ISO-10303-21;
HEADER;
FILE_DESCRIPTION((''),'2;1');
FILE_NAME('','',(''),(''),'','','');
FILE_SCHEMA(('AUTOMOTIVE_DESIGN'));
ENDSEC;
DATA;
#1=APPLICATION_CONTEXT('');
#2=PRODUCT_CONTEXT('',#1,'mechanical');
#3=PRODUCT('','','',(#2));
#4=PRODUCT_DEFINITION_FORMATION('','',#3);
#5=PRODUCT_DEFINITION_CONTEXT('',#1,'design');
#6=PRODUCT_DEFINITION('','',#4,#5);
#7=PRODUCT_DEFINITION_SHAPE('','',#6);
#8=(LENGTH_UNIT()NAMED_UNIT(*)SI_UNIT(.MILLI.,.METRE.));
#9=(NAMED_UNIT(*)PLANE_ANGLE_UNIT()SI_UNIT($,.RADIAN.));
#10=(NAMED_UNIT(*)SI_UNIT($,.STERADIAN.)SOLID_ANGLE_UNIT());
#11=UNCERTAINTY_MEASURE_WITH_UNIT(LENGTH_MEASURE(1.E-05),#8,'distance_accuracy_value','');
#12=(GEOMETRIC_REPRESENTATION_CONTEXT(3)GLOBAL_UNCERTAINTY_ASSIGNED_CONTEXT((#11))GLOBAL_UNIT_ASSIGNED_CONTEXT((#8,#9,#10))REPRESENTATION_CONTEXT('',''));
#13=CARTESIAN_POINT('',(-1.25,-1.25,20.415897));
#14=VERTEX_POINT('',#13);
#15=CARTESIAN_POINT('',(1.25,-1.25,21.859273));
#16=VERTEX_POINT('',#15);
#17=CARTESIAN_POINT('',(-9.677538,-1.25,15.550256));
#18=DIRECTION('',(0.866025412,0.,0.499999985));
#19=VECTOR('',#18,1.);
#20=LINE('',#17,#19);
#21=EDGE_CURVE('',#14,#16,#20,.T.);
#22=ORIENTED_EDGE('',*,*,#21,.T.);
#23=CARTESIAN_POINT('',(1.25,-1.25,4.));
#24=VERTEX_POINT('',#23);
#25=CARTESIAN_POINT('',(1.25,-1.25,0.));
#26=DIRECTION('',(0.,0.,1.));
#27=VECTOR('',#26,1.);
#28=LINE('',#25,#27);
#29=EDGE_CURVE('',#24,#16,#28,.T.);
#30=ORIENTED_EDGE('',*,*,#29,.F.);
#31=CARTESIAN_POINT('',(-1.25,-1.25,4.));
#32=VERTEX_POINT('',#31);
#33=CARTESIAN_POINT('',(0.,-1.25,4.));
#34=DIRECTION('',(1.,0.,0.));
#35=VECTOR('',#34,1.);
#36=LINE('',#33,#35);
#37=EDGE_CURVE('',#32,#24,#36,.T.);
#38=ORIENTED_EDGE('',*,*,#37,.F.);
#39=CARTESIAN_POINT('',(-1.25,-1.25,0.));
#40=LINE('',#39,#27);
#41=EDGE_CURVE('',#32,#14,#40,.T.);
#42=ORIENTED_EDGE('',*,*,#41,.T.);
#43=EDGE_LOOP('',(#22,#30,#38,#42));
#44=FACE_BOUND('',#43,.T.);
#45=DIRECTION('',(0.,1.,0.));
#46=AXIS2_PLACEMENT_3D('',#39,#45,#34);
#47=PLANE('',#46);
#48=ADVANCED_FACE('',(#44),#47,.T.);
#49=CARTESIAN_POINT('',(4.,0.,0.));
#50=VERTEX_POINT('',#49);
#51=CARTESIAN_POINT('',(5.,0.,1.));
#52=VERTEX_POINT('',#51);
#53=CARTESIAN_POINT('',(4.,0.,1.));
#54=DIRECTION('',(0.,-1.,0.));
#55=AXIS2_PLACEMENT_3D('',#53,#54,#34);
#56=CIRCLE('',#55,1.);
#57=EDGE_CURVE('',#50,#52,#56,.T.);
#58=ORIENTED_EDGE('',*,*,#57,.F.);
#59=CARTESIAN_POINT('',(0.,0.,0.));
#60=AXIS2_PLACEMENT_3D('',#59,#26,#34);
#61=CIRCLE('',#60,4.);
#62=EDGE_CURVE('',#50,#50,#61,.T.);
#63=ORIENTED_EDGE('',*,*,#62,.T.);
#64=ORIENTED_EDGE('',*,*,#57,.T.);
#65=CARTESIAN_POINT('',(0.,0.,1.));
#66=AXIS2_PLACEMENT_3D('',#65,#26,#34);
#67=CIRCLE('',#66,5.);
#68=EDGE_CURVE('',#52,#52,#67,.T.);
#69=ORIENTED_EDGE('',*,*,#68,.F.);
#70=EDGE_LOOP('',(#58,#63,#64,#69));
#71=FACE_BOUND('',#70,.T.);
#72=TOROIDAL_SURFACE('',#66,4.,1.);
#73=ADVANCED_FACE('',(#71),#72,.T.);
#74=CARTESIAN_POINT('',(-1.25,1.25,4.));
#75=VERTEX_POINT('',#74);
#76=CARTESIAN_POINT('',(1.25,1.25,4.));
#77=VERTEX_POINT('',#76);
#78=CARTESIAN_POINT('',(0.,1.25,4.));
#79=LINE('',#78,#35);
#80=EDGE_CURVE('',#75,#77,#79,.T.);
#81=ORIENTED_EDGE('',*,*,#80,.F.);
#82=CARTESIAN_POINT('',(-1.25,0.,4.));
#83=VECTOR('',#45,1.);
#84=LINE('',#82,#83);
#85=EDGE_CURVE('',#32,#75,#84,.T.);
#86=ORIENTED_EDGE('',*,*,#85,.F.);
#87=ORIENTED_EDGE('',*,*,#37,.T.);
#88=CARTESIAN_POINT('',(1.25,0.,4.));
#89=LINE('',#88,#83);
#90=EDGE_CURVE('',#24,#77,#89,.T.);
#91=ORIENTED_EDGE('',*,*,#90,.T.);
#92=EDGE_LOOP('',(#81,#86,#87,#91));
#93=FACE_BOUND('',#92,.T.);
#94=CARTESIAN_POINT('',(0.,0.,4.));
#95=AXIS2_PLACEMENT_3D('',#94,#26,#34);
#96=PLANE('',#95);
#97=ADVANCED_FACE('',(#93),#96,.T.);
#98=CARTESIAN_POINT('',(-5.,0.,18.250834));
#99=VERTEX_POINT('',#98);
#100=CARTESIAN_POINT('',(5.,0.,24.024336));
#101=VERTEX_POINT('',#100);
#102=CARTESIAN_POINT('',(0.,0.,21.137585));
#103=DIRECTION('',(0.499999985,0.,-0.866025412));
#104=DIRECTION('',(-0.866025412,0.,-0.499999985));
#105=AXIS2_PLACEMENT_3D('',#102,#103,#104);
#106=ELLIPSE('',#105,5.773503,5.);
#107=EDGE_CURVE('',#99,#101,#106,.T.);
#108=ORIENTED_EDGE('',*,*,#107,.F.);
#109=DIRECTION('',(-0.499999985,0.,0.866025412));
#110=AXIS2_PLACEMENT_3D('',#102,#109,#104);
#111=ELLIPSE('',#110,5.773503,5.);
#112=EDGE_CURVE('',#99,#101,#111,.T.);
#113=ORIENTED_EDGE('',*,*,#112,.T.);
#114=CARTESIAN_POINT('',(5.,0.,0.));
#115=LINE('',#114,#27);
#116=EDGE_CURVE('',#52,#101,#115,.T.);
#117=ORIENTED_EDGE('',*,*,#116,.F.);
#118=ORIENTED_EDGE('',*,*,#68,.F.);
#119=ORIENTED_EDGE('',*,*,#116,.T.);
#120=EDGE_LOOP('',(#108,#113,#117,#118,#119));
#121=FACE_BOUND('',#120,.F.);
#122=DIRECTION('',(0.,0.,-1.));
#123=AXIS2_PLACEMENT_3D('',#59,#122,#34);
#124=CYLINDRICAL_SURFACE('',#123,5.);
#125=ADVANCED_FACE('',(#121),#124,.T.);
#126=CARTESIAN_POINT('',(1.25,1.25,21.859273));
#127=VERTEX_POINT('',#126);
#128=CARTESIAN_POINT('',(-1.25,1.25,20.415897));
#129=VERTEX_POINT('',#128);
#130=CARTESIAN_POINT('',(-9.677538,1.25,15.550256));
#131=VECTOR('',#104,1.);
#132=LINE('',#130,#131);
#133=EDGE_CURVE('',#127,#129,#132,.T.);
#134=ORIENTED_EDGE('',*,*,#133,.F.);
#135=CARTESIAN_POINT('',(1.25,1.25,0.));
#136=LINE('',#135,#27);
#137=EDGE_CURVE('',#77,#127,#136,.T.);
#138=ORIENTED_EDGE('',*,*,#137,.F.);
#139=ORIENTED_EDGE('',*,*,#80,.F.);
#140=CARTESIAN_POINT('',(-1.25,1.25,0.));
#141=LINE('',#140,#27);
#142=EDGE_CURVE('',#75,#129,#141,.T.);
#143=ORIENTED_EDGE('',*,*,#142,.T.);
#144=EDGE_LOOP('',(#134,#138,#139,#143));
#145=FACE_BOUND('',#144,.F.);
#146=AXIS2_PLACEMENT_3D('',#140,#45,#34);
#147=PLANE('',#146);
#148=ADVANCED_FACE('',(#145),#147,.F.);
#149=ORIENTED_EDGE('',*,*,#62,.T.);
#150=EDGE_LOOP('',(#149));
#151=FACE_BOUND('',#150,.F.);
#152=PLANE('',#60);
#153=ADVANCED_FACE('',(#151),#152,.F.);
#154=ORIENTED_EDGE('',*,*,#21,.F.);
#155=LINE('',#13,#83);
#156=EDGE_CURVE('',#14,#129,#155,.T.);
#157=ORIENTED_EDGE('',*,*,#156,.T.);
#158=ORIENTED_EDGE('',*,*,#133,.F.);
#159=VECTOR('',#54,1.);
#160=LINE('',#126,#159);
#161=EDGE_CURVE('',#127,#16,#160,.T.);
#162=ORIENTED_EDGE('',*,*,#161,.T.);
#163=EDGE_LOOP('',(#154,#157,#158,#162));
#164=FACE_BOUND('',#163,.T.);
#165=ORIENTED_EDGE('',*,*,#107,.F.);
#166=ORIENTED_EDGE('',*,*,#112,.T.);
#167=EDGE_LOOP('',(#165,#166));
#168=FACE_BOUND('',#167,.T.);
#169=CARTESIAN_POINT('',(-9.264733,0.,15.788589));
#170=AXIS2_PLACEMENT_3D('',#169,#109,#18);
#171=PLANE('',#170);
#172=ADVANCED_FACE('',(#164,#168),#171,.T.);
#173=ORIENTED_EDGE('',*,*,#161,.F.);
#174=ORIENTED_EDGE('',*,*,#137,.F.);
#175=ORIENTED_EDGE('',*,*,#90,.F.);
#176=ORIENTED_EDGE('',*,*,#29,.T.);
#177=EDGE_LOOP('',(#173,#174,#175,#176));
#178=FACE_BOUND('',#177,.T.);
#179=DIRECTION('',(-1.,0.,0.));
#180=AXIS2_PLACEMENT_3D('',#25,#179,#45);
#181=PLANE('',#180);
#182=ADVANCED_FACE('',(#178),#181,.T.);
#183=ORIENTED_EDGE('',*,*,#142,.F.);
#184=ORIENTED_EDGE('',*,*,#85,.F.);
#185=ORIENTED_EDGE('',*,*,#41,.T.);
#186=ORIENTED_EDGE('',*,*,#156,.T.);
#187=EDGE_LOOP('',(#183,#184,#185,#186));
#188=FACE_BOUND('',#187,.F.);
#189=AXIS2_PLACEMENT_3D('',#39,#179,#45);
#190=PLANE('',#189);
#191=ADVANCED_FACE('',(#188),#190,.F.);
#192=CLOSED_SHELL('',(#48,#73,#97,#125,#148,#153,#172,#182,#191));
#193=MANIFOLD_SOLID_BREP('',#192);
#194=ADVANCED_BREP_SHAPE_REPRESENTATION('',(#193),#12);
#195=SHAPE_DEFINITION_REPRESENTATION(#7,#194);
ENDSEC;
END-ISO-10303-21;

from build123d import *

# Parameters (mm, degrees)
F0_R          = 5
F0_W          = 2.5
F0_H          = 2.5
F1_DEPTH      = 25
F2_DEPTH      = 4
F3_R          = 1
F5_DEPTH      = 25
F5_DEPTH_BACK = 25


with BuildPart() as f1:
    # F0 (on Top) → F1 (new body)
    with BuildSketch(Plane.XY):
        Circle(F0_R)
        Rectangle(F0_W, F0_H, mode=Mode.SUBTRACT)
    extrude(amount=F1_DEPTH)

    # F0 (on Top) → F2 (join)
    with BuildSketch(Plane.XY):
        Rectangle(F0_W, F0_H)
    extrude(amount=F2_DEPTH)

    # F3
    f3_edges = [f1.edges().sort_by_distance(p)[0] for p in [
        (-5, 0, 0),
    ]]
    fillet(f3_edges, radius=F3_R)

    # F4 (on Front) → F5 (cut, two sides)
    with BuildSketch(Plane.XZ) as f5_sk:
        Polygon((-9.264733, 30.193007), (-9.264733, 15.788589), (12.869327, 28.567694), (-3.567463, 35.245303), align=None)
    extrude(amount=F5_DEPTH, mode=Mode.SUBTRACT)
    extrude(f5_sk.sketch, amount=-F5_DEPTH_BACK, mode=Mode.SUBTRACT)


solid = f1.part
